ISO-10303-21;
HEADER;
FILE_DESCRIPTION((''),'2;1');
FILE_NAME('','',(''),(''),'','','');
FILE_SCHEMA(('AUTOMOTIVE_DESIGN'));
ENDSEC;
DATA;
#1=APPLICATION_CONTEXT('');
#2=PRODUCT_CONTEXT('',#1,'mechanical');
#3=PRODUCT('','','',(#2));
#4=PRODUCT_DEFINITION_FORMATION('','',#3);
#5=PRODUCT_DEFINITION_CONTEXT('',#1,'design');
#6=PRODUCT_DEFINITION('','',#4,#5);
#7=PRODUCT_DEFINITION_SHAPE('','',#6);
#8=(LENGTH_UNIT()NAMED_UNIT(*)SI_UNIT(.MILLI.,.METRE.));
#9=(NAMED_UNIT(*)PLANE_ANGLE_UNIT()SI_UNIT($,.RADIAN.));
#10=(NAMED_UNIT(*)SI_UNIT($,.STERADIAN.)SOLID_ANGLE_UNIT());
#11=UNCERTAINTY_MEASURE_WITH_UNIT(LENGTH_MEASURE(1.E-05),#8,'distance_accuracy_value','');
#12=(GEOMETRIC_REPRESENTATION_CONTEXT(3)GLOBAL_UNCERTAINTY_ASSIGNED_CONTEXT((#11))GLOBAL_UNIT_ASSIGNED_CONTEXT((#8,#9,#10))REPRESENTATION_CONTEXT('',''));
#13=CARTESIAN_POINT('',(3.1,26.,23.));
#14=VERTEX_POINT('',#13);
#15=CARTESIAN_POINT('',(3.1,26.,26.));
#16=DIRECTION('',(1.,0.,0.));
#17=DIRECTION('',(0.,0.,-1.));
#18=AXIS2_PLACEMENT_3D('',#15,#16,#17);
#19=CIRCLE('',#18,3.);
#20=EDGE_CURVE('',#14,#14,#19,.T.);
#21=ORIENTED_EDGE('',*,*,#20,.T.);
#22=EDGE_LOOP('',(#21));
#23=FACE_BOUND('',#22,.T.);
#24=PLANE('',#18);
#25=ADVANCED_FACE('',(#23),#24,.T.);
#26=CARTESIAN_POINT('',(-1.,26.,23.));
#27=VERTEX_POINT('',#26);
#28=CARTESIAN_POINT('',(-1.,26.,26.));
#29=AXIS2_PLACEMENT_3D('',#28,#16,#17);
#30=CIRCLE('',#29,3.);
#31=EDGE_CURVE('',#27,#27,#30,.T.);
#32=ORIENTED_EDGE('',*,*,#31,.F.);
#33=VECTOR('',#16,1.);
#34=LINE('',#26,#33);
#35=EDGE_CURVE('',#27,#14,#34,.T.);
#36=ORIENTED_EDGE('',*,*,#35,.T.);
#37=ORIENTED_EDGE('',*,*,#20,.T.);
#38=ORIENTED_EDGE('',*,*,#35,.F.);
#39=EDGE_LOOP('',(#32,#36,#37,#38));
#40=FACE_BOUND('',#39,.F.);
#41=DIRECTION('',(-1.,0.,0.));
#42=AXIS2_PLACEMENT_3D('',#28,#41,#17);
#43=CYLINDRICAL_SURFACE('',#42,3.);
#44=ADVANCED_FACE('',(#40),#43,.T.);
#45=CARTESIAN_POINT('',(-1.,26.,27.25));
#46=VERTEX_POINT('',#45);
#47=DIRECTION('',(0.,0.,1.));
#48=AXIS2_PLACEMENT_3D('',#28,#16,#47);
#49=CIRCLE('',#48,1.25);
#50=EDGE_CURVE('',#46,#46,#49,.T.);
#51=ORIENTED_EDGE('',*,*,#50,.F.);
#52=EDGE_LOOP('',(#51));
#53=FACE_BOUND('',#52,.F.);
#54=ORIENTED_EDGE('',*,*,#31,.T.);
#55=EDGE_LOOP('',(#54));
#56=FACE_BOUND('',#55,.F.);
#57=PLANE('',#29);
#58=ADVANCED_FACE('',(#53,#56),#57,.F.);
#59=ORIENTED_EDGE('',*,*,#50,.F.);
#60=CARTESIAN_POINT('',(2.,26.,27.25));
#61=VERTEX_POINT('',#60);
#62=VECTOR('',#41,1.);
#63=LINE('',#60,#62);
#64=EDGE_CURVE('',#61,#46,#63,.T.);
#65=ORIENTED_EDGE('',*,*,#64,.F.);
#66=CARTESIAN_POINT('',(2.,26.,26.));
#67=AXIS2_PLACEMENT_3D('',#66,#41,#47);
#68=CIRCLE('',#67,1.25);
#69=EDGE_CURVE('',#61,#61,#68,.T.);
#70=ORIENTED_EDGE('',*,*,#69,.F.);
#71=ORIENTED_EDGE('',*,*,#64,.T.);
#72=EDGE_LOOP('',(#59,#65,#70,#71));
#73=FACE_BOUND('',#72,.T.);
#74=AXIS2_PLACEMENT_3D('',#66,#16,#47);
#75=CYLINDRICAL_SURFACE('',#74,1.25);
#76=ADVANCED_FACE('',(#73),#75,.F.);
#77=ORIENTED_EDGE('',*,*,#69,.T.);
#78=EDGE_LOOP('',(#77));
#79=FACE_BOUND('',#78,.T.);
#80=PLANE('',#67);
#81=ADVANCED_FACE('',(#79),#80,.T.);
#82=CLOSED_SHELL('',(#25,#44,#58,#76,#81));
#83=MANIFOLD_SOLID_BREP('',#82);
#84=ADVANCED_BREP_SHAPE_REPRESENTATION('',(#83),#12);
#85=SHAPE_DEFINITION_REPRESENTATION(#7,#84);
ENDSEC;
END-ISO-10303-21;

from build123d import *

# Parameters (mm, degrees)
CYLINDER056_R     = 1.25
CYLINDER056_DEPTH = 5
CYLINDER032_R     = 3
CYLINDER032_DEPTH = 4.1


with BuildPart() as b_w003:
    # Cylinder056 → Cylinder056 (new body)
    with BuildSketch(Plane(origin=(2, 26, 26), x_dir=(0, 0, 1), z_dir=(-1, 0, 0))):
        Circle(CYLINDER056_R)
    extrude(amount=CYLINDER056_DEPTH)


with BuildPart() as cut022:
    # Cylinder032 → Cylinder032 (new body)
    with BuildSketch(Plane(origin=(-1, 26, 26), x_dir=(0, 0, -1), z_dir=(1, 0, 0))):
        Circle(CYLINDER032_R)
    extrude(amount=CYLINDER032_DEPTH)

    # Cut022: cut B_W003
    add(b_w003.part, mode=Mode.SUBTRACT)


solid = cut022.part
